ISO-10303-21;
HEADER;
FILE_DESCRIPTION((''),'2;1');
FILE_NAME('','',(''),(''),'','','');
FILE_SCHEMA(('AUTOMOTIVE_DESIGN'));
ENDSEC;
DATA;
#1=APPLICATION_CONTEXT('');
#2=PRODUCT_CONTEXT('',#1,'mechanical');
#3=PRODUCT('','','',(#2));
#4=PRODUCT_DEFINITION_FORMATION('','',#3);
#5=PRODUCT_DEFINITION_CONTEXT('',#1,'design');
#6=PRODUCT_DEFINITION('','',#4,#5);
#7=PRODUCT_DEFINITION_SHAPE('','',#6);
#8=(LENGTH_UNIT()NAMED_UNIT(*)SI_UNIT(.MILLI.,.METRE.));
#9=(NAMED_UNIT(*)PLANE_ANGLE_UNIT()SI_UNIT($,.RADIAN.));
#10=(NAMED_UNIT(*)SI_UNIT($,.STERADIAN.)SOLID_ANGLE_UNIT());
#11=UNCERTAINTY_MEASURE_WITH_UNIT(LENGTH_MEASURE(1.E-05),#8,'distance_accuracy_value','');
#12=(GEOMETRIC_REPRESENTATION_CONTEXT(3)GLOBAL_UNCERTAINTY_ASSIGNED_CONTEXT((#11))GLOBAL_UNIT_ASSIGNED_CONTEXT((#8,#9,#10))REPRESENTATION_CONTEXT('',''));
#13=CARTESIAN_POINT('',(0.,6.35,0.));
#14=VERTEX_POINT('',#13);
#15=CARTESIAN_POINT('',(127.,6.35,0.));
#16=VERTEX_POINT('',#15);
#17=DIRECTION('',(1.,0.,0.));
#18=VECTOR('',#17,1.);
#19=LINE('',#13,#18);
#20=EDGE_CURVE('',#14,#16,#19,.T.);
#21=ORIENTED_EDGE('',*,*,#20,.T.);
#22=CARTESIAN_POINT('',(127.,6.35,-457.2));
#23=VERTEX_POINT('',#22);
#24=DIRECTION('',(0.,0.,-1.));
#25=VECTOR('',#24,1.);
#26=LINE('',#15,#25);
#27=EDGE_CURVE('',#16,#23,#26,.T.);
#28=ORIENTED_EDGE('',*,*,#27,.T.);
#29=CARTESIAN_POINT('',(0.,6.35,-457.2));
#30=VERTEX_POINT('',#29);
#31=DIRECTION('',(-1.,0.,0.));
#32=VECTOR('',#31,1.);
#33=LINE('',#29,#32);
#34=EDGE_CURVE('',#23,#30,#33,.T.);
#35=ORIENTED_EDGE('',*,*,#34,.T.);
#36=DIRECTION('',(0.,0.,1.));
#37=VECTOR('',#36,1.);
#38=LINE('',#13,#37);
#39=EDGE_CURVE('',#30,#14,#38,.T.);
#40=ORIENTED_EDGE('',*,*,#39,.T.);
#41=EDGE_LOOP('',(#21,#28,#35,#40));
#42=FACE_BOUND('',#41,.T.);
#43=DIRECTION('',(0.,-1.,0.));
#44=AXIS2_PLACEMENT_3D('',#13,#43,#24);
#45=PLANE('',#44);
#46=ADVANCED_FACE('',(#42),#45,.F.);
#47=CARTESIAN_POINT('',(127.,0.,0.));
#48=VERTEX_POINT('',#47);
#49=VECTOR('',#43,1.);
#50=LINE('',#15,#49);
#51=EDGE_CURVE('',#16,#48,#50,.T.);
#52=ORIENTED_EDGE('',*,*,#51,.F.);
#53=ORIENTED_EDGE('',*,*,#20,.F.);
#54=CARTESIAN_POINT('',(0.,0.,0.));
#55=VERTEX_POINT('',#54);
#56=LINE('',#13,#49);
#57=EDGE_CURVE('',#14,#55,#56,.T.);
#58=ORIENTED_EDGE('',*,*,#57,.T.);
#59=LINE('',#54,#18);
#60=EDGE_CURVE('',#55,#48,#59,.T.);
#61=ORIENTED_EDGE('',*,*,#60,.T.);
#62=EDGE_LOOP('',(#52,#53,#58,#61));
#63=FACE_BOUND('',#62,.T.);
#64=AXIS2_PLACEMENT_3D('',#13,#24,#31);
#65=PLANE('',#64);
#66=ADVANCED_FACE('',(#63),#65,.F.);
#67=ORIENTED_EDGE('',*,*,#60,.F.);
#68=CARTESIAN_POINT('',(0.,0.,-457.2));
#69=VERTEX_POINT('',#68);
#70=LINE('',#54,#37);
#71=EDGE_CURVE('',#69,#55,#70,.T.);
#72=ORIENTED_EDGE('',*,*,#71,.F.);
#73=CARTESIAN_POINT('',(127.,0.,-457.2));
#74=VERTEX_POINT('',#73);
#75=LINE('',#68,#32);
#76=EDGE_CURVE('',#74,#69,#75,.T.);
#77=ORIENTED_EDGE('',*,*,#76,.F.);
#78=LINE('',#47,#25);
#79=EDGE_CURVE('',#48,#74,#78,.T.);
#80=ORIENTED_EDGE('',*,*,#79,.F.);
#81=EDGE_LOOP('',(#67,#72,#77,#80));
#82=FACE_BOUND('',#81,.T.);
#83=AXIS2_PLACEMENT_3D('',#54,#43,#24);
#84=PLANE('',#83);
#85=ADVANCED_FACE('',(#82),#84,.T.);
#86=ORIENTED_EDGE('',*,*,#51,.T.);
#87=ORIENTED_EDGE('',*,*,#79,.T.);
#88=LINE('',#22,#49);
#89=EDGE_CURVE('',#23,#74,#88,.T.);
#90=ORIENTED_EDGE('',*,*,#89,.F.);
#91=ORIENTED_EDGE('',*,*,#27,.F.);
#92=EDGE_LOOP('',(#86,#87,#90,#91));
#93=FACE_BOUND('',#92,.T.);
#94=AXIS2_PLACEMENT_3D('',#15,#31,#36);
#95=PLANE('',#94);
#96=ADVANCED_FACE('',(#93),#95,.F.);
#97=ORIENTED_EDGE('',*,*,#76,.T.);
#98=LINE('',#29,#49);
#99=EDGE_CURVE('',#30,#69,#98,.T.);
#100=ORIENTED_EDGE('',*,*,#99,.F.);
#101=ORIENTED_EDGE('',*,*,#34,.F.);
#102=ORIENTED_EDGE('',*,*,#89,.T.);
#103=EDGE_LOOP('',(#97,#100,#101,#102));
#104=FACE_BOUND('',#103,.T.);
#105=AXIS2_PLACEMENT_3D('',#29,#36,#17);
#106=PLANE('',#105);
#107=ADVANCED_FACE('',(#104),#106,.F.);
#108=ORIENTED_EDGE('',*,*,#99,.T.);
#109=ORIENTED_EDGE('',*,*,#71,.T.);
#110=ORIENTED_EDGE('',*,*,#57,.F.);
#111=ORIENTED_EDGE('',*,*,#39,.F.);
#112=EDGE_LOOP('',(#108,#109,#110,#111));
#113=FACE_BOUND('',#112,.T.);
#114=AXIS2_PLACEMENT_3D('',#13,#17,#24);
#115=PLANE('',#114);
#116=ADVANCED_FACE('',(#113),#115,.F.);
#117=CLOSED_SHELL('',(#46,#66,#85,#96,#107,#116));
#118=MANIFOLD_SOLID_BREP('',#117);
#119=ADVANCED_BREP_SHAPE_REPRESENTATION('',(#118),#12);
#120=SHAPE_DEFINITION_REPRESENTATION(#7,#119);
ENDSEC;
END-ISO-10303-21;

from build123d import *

# Parameters (mm, degrees)
SKETCH1_W           = 127
SKETCH1_H           = 457.2
BOSS_EXTRUDE1_DEPTH = 6.35


with BuildPart() as part:
    # Sketch1 → Boss-Extrude1 (new body)
    with BuildSketch(Plane(origin=(0, 0, 0), x_dir=(1, 0, 0), z_dir=(0, 1, 0))):
        with Locations((63.5, 228.6)):
            Rectangle(SKETCH1_W, SKETCH1_H)
    extrude(amount=BOSS_EXTRUDE1_DEPTH)


solid = part.part
